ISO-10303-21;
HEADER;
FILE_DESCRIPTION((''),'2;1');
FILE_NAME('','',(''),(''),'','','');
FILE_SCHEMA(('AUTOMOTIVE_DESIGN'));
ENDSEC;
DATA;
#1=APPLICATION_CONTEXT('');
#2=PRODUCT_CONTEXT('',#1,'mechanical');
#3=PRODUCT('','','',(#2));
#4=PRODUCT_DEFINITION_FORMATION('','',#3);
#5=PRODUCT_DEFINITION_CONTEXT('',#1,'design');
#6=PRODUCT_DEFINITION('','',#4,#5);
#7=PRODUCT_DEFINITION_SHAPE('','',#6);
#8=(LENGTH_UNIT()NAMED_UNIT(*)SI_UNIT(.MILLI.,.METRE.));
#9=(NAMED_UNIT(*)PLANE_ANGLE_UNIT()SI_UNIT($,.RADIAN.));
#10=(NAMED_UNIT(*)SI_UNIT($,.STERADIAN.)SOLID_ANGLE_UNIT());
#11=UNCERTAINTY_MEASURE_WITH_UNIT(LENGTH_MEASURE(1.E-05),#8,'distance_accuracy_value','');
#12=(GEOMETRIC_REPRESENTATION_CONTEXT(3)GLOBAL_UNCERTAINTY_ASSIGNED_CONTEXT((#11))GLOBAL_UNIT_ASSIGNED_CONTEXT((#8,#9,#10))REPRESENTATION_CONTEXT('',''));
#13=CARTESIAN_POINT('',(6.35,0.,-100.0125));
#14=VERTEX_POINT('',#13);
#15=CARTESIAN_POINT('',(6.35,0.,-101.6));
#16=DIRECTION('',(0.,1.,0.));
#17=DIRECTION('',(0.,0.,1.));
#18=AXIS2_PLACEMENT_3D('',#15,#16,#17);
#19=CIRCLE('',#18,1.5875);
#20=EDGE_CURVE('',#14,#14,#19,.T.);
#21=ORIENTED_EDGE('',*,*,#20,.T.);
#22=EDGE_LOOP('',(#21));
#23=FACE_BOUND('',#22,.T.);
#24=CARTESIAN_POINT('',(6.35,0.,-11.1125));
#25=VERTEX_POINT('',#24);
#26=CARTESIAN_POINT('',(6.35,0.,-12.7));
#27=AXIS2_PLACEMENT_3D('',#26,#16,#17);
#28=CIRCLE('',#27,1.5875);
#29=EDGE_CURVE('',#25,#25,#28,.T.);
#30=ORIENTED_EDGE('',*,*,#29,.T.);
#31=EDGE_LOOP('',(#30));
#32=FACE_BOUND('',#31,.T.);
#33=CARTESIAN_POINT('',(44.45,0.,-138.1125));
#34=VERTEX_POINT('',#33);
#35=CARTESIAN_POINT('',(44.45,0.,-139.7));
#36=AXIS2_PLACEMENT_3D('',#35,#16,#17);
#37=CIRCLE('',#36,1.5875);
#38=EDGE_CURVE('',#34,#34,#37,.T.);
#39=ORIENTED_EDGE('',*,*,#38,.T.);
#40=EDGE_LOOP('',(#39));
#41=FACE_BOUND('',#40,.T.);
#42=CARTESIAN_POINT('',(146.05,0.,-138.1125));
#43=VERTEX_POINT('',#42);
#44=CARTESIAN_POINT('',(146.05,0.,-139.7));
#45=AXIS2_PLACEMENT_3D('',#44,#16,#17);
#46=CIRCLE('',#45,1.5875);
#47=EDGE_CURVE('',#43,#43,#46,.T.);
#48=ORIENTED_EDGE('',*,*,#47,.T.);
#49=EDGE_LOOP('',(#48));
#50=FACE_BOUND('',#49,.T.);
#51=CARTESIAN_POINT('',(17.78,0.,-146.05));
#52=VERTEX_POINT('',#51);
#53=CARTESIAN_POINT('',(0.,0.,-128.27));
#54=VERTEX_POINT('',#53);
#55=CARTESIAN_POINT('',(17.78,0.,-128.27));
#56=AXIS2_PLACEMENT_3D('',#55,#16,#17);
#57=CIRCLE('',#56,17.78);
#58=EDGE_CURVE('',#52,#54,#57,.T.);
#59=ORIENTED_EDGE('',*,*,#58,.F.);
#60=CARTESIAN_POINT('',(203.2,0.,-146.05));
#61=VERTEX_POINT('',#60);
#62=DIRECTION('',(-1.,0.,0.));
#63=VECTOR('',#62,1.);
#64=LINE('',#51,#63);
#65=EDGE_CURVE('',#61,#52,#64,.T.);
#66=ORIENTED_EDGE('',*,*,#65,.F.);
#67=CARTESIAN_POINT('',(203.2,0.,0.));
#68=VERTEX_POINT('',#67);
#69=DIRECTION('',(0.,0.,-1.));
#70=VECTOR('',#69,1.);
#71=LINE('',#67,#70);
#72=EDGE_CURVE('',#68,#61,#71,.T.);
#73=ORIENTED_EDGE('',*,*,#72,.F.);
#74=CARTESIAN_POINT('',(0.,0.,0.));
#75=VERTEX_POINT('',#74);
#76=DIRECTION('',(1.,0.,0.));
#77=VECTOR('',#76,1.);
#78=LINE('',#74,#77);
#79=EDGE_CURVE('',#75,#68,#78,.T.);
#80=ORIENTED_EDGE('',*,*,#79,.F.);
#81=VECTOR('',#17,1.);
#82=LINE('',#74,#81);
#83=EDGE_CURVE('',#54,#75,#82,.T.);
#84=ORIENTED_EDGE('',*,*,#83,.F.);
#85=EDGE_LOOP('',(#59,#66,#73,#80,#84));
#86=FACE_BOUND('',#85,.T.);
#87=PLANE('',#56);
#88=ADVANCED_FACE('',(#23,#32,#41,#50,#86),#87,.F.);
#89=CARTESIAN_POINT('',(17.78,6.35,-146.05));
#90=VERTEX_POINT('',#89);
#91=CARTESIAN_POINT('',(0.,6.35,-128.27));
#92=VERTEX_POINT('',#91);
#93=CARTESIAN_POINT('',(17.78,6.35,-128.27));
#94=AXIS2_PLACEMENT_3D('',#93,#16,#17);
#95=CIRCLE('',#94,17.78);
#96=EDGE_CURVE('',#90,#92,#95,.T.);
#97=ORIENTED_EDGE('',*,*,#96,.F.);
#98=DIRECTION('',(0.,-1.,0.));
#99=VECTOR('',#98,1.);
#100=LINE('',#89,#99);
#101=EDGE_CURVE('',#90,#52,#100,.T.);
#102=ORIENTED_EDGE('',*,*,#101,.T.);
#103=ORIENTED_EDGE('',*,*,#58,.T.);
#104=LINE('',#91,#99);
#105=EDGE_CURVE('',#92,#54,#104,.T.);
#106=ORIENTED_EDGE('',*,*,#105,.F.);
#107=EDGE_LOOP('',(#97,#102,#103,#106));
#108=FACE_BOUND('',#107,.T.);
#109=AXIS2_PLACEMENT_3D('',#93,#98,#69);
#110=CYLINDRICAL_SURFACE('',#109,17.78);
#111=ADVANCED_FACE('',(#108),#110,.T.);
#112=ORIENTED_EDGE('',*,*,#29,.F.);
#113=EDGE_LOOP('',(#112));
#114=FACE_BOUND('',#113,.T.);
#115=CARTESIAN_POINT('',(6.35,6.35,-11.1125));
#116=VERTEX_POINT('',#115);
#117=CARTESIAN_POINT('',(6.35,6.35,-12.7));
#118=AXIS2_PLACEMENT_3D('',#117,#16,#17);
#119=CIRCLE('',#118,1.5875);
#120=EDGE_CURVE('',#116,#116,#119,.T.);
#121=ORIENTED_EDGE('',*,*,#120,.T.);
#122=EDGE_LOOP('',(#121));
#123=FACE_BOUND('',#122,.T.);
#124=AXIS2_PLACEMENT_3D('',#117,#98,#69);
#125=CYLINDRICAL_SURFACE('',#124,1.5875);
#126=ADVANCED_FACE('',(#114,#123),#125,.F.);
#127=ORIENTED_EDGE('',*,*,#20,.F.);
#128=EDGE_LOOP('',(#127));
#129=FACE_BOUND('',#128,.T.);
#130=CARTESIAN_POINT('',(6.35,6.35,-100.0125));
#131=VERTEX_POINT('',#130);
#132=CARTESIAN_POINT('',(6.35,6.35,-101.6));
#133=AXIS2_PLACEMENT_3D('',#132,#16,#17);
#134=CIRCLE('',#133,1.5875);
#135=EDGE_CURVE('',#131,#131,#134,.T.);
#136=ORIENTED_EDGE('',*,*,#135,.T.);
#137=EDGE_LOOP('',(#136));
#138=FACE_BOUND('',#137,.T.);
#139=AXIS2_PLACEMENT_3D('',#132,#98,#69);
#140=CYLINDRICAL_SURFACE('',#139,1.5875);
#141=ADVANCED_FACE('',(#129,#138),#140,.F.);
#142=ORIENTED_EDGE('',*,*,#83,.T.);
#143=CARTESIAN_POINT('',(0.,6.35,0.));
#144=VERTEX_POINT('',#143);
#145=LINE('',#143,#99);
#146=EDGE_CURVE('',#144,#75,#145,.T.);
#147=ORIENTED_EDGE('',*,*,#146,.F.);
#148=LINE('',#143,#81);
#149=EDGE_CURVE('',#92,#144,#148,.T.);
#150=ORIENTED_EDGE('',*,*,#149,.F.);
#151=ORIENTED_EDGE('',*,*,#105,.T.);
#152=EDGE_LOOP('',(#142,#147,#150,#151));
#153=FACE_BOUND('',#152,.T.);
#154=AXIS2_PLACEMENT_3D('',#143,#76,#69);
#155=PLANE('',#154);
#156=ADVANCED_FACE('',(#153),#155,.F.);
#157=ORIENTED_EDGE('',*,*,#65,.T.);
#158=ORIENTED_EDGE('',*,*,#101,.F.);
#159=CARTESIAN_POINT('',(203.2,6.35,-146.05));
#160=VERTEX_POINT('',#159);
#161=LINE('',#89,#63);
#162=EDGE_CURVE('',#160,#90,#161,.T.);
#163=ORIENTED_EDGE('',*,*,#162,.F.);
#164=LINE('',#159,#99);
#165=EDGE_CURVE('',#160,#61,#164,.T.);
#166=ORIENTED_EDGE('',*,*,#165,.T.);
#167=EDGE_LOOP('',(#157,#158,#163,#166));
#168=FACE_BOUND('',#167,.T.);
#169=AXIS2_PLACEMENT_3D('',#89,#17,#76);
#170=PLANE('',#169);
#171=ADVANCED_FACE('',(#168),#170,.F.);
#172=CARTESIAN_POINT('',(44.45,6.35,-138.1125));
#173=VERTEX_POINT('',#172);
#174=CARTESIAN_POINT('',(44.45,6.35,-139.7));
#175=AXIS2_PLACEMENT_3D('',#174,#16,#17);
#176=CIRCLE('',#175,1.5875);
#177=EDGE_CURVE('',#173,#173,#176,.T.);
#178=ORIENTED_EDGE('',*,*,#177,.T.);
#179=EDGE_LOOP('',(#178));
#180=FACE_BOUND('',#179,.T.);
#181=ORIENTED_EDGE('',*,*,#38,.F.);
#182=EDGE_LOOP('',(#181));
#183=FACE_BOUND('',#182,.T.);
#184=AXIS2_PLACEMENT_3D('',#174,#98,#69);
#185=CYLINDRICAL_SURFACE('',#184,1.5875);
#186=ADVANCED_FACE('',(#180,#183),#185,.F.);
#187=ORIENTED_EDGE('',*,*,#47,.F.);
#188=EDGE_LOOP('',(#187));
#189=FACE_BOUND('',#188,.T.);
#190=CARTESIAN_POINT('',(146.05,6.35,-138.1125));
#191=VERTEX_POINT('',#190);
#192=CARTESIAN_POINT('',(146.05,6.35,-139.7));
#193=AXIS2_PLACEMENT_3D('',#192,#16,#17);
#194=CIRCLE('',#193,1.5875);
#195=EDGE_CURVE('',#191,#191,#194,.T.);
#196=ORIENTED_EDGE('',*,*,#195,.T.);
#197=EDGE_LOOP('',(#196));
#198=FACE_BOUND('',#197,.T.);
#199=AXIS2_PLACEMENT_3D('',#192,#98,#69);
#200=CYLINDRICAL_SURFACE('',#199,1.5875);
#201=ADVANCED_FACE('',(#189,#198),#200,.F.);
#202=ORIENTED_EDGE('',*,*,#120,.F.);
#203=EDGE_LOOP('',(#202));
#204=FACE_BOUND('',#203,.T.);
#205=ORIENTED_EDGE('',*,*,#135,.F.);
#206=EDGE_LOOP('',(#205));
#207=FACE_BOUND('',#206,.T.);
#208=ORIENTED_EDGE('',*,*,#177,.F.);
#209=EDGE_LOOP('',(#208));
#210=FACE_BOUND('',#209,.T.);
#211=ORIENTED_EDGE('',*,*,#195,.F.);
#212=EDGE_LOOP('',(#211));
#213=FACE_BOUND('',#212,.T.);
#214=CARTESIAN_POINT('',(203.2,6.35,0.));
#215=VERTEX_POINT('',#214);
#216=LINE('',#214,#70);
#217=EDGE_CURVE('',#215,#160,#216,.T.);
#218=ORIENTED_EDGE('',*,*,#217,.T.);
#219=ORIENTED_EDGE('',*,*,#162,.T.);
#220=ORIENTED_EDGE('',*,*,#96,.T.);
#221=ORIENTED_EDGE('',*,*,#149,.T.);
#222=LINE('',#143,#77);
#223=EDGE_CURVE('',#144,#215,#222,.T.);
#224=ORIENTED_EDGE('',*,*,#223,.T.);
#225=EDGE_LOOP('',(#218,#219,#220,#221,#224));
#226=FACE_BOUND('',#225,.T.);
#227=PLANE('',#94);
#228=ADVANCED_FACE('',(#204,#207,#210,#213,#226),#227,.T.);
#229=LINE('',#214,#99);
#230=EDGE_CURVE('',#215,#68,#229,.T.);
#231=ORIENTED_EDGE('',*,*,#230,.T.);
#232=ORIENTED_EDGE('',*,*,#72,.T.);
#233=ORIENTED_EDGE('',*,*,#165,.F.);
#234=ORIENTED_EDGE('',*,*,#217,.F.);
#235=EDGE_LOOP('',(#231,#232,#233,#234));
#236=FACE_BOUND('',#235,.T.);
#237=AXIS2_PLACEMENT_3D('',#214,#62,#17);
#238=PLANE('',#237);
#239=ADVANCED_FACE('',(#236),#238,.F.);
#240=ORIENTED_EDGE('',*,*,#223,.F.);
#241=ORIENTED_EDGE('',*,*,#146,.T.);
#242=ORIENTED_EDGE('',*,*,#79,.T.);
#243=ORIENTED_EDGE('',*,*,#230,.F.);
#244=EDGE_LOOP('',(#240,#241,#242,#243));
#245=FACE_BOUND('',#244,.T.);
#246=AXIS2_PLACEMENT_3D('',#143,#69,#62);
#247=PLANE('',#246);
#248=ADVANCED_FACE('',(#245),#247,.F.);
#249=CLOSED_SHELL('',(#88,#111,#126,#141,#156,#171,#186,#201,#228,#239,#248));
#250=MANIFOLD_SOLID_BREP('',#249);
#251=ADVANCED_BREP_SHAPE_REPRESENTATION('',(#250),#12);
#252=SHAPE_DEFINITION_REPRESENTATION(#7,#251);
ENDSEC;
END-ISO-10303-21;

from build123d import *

# Parameters (mm, degrees)
SKETCH1_R           = 1.5875
BOSS_EXTRUDE1_DEPTH = 6.35


with BuildPart() as part:
    # Sketch1 → Boss-Extrude1 (new body)
    with BuildSketch(Plane(origin=(0, 0, 0), x_dir=(1, 0, 0), z_dir=(0, 1, 0))):
        with BuildLine():
            Line((0, 0), (203.2, 0))
            Line((203.2, 0), (203.2, 146.05))
            Line((203.2, 146.05), (17.78, 146.05))
            ThreePointArc((17.78, 146.05), (5.207641431, 140.842358569), (0, 128.27))
            Line((0, 128.27), (0, 0))
        make_face()
        with Locations(Location((6.35, 12.7, 0), (0, 0, 270))):
            Circle(SKETCH1_R, mode=Mode.SUBTRACT)
        with Locations(Location((6.35, 101.6, 0), (0, 0, 270))):
            Circle(SKETCH1_R, mode=Mode.SUBTRACT)
        with Locations(Location((44.45, 139.7, 0), (0, 0, 270))):
            Circle(SKETCH1_R, mode=Mode.SUBTRACT)
        with Locations(Location((146.05, 139.7, 0), (0, 0, 270))):
            Circle(SKETCH1_R, mode=Mode.SUBTRACT)
    extrude(amount=BOSS_EXTRUDE1_DEPTH)


solid = part.part
